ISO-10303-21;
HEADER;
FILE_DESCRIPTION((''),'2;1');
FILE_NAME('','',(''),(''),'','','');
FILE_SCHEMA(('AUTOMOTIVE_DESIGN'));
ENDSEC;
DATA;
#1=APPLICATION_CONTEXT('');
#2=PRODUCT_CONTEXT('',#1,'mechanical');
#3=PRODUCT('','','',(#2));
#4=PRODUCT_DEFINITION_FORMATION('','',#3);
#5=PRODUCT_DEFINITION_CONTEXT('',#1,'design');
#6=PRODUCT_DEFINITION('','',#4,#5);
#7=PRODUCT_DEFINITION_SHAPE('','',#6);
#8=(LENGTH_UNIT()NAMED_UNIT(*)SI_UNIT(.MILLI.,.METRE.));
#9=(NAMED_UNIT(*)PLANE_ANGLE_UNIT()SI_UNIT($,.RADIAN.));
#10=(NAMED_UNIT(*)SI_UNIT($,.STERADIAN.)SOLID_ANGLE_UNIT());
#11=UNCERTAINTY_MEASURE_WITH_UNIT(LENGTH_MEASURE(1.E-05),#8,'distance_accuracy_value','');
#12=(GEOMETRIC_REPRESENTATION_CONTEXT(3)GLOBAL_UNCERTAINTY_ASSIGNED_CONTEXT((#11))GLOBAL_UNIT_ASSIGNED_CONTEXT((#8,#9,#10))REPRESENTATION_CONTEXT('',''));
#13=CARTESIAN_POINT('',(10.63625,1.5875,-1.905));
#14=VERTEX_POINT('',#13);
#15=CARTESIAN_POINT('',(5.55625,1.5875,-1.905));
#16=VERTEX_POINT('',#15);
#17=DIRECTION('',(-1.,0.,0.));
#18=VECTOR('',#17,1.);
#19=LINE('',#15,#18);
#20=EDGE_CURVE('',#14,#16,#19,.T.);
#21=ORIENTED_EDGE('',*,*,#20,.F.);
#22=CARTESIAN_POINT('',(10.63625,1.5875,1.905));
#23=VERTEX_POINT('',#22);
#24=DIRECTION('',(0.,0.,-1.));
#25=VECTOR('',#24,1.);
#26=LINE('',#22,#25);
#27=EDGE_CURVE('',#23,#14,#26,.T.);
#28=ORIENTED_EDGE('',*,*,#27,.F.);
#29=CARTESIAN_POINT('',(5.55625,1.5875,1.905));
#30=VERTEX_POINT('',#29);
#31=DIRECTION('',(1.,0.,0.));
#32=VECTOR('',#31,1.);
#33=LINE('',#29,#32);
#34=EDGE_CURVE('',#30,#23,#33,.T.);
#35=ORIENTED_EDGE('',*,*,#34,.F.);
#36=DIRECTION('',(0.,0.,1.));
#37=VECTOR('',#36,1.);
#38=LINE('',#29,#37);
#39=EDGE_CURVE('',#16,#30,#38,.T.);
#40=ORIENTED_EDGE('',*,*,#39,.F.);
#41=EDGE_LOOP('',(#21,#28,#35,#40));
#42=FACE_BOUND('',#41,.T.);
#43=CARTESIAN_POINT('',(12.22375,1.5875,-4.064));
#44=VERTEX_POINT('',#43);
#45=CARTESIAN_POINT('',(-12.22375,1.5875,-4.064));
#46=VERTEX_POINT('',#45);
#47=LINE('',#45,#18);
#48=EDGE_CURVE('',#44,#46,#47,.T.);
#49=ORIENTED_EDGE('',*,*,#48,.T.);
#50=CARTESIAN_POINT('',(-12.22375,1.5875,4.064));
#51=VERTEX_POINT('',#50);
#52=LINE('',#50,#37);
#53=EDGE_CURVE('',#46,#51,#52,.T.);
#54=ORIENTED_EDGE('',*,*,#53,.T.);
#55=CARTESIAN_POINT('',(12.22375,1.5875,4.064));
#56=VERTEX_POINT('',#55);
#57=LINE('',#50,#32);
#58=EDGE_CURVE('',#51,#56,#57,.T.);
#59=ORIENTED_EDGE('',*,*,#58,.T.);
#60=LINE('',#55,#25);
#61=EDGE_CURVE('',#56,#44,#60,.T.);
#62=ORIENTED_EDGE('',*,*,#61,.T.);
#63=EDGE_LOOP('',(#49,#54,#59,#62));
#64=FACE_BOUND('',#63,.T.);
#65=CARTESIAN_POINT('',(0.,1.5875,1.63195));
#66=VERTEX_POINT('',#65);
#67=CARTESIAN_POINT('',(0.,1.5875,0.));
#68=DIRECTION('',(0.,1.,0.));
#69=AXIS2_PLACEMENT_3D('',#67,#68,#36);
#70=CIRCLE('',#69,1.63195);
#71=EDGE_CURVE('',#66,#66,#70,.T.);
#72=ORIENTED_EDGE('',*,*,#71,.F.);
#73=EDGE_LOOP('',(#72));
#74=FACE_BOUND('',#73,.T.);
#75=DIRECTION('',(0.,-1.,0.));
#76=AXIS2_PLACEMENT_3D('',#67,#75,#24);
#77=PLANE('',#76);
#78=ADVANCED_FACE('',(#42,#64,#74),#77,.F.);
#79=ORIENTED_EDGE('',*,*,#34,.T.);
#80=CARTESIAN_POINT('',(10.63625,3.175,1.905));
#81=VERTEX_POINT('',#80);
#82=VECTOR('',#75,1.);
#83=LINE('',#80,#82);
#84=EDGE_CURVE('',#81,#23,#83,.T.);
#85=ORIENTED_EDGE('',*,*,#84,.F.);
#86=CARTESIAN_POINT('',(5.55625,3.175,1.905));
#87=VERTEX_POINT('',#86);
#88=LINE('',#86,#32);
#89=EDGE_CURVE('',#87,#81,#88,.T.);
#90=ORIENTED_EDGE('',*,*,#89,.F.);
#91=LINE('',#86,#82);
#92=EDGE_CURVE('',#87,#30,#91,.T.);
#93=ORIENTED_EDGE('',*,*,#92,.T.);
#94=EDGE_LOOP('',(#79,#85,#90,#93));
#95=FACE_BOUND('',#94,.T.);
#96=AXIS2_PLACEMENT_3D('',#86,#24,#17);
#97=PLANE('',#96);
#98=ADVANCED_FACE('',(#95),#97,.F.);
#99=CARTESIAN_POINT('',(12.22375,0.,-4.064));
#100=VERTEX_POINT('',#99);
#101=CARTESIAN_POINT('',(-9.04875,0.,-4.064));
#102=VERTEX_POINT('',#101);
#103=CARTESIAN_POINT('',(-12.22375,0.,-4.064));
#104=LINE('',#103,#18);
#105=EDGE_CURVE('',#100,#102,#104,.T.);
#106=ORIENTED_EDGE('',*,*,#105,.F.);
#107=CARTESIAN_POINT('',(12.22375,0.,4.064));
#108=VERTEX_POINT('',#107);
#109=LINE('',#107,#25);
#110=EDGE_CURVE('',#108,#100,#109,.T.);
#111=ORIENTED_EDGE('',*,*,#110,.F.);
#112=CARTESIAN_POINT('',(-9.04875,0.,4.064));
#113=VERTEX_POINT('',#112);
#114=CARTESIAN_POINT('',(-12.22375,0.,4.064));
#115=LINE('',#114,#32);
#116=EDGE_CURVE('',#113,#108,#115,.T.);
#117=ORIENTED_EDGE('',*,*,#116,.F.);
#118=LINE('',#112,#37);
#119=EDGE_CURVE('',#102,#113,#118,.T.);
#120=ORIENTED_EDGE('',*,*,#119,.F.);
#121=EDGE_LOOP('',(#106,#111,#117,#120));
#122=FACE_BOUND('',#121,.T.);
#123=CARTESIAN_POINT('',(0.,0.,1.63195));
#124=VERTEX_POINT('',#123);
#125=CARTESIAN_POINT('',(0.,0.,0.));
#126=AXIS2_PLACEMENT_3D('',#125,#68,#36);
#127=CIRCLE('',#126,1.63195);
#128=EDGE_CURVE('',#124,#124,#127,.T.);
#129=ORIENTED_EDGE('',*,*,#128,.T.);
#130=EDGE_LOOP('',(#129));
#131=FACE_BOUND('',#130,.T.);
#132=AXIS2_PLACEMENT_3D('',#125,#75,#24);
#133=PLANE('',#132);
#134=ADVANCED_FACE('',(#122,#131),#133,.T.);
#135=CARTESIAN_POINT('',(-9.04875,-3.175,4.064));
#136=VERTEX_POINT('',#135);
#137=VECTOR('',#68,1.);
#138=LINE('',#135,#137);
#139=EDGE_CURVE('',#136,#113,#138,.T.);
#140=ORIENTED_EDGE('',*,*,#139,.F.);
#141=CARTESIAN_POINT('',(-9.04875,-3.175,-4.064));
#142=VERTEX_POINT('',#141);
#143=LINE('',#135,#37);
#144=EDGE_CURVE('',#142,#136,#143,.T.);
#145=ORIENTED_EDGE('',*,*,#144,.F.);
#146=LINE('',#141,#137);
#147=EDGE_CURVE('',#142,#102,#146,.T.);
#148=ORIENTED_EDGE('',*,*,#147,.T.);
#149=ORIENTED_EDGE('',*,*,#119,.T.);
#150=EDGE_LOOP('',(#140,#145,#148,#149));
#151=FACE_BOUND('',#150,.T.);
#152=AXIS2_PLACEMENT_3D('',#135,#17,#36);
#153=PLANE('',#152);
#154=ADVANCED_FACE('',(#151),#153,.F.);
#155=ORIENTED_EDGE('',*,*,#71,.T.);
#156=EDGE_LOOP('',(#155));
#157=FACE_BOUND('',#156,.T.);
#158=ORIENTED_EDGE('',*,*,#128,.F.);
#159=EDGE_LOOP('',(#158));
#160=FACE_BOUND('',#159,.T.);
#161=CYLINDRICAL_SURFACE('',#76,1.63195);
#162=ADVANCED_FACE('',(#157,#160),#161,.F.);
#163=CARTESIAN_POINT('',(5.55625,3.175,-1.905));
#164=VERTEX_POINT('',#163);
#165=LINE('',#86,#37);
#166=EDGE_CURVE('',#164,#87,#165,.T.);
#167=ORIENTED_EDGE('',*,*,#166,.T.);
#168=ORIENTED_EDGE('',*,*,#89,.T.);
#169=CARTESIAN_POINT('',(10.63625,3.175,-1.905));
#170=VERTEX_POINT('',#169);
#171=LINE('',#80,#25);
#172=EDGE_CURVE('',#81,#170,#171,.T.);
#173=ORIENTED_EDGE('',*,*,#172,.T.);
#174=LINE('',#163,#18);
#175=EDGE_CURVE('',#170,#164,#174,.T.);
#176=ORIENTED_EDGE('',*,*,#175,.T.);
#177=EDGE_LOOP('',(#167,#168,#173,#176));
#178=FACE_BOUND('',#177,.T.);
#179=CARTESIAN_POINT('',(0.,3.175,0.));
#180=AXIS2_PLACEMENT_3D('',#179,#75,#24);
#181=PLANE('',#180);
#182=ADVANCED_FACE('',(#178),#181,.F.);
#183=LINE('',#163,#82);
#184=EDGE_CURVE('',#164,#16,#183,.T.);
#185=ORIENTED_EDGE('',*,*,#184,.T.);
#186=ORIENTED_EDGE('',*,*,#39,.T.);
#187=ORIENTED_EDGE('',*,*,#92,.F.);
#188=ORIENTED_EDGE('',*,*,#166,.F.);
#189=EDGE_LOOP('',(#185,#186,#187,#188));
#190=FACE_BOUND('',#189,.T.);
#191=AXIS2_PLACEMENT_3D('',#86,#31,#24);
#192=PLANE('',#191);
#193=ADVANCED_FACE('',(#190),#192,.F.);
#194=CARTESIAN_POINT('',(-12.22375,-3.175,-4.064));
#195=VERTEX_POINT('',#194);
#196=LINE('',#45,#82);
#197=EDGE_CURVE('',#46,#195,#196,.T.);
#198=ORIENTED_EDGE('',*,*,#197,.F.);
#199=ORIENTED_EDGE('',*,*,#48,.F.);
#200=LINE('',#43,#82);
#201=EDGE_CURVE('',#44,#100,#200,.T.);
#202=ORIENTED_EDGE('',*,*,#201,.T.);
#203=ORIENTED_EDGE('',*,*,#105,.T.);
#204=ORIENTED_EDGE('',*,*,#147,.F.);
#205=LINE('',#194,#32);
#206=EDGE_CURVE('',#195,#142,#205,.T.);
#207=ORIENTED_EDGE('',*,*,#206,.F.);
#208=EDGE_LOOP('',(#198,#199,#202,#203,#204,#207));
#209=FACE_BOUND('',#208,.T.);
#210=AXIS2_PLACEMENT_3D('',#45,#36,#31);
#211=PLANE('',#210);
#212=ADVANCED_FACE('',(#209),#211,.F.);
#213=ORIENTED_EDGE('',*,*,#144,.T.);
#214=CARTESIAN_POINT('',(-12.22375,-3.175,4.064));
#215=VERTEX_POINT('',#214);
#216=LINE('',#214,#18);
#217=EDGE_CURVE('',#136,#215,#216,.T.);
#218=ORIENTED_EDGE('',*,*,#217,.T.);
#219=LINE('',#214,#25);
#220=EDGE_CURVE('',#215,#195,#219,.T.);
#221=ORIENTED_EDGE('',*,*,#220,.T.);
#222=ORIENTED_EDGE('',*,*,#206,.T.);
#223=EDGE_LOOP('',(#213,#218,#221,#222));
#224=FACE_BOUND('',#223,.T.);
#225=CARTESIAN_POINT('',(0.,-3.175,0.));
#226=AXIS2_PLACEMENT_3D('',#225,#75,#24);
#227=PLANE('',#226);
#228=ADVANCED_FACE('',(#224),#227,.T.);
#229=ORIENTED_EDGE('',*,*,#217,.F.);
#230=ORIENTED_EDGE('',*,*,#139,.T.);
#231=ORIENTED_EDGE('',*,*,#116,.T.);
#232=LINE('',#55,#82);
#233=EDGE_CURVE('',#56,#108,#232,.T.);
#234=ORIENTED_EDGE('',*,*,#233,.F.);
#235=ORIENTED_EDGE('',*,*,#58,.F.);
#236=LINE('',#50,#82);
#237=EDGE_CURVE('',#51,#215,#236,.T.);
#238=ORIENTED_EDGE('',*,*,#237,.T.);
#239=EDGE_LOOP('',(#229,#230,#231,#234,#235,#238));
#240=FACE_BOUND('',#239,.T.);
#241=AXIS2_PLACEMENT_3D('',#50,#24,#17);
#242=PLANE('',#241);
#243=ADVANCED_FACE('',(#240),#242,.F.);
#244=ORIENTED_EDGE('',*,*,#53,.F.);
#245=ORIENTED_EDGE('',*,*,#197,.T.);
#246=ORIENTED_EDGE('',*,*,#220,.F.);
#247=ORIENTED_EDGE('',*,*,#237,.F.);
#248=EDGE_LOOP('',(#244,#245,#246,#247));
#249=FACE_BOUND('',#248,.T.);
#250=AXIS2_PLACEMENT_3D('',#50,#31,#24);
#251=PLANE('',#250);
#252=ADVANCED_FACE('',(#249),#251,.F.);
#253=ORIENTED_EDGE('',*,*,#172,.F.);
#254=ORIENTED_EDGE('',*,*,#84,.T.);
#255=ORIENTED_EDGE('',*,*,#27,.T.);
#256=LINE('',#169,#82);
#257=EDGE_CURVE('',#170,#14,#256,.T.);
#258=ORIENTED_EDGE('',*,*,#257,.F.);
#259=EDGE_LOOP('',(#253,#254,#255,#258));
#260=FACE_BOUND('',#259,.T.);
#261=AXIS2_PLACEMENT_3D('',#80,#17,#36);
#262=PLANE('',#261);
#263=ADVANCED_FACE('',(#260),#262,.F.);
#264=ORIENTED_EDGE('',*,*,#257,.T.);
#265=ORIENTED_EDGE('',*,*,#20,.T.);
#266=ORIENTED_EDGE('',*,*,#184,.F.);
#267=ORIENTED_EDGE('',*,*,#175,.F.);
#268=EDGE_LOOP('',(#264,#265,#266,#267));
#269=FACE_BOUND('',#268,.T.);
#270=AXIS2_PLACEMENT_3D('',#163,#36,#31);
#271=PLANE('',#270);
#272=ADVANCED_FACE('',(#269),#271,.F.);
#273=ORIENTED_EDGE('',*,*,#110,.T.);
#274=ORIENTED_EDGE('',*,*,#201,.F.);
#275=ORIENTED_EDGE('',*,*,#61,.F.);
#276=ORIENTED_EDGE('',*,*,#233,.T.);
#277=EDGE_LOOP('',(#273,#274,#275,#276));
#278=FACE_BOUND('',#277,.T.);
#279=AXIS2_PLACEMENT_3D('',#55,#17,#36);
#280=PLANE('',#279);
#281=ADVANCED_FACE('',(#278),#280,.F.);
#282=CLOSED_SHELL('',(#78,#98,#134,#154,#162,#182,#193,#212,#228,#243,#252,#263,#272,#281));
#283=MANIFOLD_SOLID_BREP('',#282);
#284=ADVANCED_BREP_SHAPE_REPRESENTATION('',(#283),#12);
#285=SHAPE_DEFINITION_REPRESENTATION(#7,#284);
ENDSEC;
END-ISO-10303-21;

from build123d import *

# Parameters (mm, degrees)
SKETCH1_W           = 24.4475
SKETCH1_H           = 8.128
SKETCH1_R           = 1.63195
BOSS_EXTRUDE1_DEPTH = 1.5875
SKETCH2_W           = 5.08
SKETCH2_H           = 3.81
BOSS_EXTRUDE2_DEPTH = 1.5875
SKETCH3_W           = 3.175
SKETCH3_H           = 8.128
BOSS_EXTRUDE3_DEPTH = 3.175


with BuildPart() as part:
    # Sketch1 → Boss-Extrude1 (new body)
    with BuildSketch(Plane(origin=(0, 0, 0), x_dir=(1, 0, 0), z_dir=(0, 1, 0))):
        Rectangle(SKETCH1_W, SKETCH1_H)
        with Locations(Location((0, 0, 0), (0, 0, 270))):
            Circle(SKETCH1_R, mode=Mode.SUBTRACT)
    extrude(amount=BOSS_EXTRUDE1_DEPTH)

    # Sketch2 → Boss-Extrude2 (add)
    with BuildSketch(Plane(origin=(0, 1.5875, 0), x_dir=(1, 0, 0), z_dir=(0, 1, 0))):
        with Locations((8.09625, 0)):
            Rectangle(SKETCH2_W, SKETCH2_H)
    extrude(amount=BOSS_EXTRUDE2_DEPTH)

    # Sketch3 → Boss-Extrude3 (add)
    with BuildSketch(Plane.XZ):
        with Locations((-10.63625, 0)):
            Rectangle(SKETCH3_W, SKETCH3_H)
    extrude(amount=BOSS_EXTRUDE3_DEPTH)


solid = part.part
